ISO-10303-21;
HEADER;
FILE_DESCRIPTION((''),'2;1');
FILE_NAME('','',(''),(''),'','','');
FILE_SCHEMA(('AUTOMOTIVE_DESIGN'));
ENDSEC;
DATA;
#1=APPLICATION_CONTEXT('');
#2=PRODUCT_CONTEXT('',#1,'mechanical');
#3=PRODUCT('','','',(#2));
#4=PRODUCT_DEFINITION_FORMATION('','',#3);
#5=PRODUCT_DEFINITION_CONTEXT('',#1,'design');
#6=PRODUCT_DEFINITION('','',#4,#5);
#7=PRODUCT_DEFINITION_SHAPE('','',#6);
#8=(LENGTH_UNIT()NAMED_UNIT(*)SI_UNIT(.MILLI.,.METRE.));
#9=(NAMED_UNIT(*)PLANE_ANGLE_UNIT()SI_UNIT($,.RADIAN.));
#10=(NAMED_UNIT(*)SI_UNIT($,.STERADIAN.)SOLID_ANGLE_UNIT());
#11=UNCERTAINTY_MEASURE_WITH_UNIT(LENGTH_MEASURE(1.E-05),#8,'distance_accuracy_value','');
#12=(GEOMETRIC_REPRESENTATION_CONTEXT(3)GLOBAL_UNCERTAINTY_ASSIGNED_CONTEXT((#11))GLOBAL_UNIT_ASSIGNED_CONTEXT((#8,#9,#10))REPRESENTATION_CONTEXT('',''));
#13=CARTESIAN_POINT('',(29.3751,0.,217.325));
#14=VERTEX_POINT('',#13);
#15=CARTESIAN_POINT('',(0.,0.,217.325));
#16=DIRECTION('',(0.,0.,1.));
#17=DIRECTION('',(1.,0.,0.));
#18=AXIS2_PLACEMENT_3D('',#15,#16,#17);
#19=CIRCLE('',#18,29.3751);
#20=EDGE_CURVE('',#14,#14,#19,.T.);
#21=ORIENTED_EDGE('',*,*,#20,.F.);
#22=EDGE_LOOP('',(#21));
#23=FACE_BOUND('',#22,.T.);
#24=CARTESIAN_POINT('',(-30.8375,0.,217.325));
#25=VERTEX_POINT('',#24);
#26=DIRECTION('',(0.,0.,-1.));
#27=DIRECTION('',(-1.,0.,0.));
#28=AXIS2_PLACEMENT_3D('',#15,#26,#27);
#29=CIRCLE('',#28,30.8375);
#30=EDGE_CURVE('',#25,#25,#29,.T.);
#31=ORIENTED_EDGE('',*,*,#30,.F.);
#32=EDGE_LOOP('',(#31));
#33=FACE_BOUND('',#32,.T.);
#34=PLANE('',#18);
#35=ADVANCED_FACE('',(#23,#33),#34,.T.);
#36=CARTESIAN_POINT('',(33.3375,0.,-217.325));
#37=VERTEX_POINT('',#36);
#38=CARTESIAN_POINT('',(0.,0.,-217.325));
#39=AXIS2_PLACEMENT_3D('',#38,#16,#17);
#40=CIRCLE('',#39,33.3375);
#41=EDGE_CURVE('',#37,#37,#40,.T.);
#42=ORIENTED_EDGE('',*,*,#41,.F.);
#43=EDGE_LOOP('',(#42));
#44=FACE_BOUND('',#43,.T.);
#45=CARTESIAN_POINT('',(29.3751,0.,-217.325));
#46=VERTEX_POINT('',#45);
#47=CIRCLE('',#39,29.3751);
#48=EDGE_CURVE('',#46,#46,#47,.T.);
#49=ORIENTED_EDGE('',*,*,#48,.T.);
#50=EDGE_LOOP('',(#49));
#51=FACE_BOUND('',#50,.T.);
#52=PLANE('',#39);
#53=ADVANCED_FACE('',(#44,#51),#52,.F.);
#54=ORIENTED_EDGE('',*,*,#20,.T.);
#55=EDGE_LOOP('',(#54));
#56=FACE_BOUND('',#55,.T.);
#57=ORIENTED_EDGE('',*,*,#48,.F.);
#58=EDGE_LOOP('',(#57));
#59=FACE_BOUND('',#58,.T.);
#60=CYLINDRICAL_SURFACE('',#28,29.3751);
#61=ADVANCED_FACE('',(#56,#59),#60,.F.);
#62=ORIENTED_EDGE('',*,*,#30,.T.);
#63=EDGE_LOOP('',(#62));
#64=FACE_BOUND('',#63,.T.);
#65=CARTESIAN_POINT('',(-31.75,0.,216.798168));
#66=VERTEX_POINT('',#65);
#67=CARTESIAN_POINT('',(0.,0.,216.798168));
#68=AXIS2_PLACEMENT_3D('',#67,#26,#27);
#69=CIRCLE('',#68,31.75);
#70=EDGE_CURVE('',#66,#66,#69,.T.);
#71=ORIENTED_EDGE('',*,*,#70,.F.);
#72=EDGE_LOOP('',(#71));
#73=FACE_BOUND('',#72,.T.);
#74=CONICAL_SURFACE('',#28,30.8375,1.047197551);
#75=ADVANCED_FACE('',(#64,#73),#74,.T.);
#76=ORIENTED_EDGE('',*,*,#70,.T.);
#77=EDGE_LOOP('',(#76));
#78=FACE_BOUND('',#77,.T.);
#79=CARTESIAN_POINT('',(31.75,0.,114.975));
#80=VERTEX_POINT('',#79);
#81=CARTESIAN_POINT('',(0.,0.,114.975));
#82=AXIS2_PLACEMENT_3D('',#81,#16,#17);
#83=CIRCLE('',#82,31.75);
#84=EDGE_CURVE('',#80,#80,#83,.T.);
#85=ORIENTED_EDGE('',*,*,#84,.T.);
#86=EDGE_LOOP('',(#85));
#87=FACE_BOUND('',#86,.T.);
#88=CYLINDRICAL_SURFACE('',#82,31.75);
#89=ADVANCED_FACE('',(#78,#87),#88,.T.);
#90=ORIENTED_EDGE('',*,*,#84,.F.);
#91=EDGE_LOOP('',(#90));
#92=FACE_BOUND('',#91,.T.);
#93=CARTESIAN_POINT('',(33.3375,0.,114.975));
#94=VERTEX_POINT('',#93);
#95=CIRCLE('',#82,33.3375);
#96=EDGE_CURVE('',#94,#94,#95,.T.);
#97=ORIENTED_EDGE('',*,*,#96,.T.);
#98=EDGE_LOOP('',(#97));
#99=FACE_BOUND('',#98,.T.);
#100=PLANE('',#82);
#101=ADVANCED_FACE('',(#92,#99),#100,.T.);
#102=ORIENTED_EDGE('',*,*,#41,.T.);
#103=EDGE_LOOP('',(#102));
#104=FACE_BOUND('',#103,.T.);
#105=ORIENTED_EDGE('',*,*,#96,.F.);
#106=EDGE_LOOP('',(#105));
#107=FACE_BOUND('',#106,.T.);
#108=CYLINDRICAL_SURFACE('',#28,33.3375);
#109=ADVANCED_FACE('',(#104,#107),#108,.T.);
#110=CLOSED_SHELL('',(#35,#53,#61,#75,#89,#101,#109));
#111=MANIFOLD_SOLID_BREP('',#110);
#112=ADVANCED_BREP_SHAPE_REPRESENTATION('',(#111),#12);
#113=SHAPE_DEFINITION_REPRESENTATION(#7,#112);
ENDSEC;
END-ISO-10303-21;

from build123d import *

# Parameters (mm, degrees)
SKETCH3_R           = 33.3375
SKETCH3_R_2         = 29.3751
BOSS_EXTRUDE1_DEPTH = 217.325
SKETCH4_R           = 33.3375
SKETCH4_R_2         = 31.75
CUT_EXTRUDE1_DEPTH  = 102.35


with BuildPart() as part:
    # Sketch3 → Boss-Extrude1 (new, symmetric)
    with BuildSketch(Plane.XY):
        Circle(SKETCH3_R)
        Circle(SKETCH3_R_2, mode=Mode.SUBTRACT)
    extrude(amount=BOSS_EXTRUDE1_DEPTH, both=True)

    # Sketch5 → Cut-Revolve1 (revolve, cut)
    with BuildSketch(Plane(origin=(0, 0, 0), x_dir=(0, 0, -1), z_dir=(1, 0, 0)), mode=Mode.PRIVATE) as cut_revolve1_sk:
        Polygon((-217.325, 30.8375), (-215.881624327, 33.3375), (-217.325, 33.3375), align=None)
    revolve(cut_revolve1_sk.sketch.rotate(Axis((0, 0, 0), (0, 0, 1)), 90), axis=Axis((0, 0, 0), (0, 0, 1)), mode=Mode.SUBTRACT)

    # Sketch4 → Cut-Extrude1 (cut)
    with BuildSketch(Plane.XY.offset(217.325)):
        Circle(SKETCH4_R)
        Circle(SKETCH4_R_2, mode=Mode.SUBTRACT)
    extrude(amount=-CUT_EXTRUDE1_DEPTH, mode=Mode.SUBTRACT)


solid = part.part
